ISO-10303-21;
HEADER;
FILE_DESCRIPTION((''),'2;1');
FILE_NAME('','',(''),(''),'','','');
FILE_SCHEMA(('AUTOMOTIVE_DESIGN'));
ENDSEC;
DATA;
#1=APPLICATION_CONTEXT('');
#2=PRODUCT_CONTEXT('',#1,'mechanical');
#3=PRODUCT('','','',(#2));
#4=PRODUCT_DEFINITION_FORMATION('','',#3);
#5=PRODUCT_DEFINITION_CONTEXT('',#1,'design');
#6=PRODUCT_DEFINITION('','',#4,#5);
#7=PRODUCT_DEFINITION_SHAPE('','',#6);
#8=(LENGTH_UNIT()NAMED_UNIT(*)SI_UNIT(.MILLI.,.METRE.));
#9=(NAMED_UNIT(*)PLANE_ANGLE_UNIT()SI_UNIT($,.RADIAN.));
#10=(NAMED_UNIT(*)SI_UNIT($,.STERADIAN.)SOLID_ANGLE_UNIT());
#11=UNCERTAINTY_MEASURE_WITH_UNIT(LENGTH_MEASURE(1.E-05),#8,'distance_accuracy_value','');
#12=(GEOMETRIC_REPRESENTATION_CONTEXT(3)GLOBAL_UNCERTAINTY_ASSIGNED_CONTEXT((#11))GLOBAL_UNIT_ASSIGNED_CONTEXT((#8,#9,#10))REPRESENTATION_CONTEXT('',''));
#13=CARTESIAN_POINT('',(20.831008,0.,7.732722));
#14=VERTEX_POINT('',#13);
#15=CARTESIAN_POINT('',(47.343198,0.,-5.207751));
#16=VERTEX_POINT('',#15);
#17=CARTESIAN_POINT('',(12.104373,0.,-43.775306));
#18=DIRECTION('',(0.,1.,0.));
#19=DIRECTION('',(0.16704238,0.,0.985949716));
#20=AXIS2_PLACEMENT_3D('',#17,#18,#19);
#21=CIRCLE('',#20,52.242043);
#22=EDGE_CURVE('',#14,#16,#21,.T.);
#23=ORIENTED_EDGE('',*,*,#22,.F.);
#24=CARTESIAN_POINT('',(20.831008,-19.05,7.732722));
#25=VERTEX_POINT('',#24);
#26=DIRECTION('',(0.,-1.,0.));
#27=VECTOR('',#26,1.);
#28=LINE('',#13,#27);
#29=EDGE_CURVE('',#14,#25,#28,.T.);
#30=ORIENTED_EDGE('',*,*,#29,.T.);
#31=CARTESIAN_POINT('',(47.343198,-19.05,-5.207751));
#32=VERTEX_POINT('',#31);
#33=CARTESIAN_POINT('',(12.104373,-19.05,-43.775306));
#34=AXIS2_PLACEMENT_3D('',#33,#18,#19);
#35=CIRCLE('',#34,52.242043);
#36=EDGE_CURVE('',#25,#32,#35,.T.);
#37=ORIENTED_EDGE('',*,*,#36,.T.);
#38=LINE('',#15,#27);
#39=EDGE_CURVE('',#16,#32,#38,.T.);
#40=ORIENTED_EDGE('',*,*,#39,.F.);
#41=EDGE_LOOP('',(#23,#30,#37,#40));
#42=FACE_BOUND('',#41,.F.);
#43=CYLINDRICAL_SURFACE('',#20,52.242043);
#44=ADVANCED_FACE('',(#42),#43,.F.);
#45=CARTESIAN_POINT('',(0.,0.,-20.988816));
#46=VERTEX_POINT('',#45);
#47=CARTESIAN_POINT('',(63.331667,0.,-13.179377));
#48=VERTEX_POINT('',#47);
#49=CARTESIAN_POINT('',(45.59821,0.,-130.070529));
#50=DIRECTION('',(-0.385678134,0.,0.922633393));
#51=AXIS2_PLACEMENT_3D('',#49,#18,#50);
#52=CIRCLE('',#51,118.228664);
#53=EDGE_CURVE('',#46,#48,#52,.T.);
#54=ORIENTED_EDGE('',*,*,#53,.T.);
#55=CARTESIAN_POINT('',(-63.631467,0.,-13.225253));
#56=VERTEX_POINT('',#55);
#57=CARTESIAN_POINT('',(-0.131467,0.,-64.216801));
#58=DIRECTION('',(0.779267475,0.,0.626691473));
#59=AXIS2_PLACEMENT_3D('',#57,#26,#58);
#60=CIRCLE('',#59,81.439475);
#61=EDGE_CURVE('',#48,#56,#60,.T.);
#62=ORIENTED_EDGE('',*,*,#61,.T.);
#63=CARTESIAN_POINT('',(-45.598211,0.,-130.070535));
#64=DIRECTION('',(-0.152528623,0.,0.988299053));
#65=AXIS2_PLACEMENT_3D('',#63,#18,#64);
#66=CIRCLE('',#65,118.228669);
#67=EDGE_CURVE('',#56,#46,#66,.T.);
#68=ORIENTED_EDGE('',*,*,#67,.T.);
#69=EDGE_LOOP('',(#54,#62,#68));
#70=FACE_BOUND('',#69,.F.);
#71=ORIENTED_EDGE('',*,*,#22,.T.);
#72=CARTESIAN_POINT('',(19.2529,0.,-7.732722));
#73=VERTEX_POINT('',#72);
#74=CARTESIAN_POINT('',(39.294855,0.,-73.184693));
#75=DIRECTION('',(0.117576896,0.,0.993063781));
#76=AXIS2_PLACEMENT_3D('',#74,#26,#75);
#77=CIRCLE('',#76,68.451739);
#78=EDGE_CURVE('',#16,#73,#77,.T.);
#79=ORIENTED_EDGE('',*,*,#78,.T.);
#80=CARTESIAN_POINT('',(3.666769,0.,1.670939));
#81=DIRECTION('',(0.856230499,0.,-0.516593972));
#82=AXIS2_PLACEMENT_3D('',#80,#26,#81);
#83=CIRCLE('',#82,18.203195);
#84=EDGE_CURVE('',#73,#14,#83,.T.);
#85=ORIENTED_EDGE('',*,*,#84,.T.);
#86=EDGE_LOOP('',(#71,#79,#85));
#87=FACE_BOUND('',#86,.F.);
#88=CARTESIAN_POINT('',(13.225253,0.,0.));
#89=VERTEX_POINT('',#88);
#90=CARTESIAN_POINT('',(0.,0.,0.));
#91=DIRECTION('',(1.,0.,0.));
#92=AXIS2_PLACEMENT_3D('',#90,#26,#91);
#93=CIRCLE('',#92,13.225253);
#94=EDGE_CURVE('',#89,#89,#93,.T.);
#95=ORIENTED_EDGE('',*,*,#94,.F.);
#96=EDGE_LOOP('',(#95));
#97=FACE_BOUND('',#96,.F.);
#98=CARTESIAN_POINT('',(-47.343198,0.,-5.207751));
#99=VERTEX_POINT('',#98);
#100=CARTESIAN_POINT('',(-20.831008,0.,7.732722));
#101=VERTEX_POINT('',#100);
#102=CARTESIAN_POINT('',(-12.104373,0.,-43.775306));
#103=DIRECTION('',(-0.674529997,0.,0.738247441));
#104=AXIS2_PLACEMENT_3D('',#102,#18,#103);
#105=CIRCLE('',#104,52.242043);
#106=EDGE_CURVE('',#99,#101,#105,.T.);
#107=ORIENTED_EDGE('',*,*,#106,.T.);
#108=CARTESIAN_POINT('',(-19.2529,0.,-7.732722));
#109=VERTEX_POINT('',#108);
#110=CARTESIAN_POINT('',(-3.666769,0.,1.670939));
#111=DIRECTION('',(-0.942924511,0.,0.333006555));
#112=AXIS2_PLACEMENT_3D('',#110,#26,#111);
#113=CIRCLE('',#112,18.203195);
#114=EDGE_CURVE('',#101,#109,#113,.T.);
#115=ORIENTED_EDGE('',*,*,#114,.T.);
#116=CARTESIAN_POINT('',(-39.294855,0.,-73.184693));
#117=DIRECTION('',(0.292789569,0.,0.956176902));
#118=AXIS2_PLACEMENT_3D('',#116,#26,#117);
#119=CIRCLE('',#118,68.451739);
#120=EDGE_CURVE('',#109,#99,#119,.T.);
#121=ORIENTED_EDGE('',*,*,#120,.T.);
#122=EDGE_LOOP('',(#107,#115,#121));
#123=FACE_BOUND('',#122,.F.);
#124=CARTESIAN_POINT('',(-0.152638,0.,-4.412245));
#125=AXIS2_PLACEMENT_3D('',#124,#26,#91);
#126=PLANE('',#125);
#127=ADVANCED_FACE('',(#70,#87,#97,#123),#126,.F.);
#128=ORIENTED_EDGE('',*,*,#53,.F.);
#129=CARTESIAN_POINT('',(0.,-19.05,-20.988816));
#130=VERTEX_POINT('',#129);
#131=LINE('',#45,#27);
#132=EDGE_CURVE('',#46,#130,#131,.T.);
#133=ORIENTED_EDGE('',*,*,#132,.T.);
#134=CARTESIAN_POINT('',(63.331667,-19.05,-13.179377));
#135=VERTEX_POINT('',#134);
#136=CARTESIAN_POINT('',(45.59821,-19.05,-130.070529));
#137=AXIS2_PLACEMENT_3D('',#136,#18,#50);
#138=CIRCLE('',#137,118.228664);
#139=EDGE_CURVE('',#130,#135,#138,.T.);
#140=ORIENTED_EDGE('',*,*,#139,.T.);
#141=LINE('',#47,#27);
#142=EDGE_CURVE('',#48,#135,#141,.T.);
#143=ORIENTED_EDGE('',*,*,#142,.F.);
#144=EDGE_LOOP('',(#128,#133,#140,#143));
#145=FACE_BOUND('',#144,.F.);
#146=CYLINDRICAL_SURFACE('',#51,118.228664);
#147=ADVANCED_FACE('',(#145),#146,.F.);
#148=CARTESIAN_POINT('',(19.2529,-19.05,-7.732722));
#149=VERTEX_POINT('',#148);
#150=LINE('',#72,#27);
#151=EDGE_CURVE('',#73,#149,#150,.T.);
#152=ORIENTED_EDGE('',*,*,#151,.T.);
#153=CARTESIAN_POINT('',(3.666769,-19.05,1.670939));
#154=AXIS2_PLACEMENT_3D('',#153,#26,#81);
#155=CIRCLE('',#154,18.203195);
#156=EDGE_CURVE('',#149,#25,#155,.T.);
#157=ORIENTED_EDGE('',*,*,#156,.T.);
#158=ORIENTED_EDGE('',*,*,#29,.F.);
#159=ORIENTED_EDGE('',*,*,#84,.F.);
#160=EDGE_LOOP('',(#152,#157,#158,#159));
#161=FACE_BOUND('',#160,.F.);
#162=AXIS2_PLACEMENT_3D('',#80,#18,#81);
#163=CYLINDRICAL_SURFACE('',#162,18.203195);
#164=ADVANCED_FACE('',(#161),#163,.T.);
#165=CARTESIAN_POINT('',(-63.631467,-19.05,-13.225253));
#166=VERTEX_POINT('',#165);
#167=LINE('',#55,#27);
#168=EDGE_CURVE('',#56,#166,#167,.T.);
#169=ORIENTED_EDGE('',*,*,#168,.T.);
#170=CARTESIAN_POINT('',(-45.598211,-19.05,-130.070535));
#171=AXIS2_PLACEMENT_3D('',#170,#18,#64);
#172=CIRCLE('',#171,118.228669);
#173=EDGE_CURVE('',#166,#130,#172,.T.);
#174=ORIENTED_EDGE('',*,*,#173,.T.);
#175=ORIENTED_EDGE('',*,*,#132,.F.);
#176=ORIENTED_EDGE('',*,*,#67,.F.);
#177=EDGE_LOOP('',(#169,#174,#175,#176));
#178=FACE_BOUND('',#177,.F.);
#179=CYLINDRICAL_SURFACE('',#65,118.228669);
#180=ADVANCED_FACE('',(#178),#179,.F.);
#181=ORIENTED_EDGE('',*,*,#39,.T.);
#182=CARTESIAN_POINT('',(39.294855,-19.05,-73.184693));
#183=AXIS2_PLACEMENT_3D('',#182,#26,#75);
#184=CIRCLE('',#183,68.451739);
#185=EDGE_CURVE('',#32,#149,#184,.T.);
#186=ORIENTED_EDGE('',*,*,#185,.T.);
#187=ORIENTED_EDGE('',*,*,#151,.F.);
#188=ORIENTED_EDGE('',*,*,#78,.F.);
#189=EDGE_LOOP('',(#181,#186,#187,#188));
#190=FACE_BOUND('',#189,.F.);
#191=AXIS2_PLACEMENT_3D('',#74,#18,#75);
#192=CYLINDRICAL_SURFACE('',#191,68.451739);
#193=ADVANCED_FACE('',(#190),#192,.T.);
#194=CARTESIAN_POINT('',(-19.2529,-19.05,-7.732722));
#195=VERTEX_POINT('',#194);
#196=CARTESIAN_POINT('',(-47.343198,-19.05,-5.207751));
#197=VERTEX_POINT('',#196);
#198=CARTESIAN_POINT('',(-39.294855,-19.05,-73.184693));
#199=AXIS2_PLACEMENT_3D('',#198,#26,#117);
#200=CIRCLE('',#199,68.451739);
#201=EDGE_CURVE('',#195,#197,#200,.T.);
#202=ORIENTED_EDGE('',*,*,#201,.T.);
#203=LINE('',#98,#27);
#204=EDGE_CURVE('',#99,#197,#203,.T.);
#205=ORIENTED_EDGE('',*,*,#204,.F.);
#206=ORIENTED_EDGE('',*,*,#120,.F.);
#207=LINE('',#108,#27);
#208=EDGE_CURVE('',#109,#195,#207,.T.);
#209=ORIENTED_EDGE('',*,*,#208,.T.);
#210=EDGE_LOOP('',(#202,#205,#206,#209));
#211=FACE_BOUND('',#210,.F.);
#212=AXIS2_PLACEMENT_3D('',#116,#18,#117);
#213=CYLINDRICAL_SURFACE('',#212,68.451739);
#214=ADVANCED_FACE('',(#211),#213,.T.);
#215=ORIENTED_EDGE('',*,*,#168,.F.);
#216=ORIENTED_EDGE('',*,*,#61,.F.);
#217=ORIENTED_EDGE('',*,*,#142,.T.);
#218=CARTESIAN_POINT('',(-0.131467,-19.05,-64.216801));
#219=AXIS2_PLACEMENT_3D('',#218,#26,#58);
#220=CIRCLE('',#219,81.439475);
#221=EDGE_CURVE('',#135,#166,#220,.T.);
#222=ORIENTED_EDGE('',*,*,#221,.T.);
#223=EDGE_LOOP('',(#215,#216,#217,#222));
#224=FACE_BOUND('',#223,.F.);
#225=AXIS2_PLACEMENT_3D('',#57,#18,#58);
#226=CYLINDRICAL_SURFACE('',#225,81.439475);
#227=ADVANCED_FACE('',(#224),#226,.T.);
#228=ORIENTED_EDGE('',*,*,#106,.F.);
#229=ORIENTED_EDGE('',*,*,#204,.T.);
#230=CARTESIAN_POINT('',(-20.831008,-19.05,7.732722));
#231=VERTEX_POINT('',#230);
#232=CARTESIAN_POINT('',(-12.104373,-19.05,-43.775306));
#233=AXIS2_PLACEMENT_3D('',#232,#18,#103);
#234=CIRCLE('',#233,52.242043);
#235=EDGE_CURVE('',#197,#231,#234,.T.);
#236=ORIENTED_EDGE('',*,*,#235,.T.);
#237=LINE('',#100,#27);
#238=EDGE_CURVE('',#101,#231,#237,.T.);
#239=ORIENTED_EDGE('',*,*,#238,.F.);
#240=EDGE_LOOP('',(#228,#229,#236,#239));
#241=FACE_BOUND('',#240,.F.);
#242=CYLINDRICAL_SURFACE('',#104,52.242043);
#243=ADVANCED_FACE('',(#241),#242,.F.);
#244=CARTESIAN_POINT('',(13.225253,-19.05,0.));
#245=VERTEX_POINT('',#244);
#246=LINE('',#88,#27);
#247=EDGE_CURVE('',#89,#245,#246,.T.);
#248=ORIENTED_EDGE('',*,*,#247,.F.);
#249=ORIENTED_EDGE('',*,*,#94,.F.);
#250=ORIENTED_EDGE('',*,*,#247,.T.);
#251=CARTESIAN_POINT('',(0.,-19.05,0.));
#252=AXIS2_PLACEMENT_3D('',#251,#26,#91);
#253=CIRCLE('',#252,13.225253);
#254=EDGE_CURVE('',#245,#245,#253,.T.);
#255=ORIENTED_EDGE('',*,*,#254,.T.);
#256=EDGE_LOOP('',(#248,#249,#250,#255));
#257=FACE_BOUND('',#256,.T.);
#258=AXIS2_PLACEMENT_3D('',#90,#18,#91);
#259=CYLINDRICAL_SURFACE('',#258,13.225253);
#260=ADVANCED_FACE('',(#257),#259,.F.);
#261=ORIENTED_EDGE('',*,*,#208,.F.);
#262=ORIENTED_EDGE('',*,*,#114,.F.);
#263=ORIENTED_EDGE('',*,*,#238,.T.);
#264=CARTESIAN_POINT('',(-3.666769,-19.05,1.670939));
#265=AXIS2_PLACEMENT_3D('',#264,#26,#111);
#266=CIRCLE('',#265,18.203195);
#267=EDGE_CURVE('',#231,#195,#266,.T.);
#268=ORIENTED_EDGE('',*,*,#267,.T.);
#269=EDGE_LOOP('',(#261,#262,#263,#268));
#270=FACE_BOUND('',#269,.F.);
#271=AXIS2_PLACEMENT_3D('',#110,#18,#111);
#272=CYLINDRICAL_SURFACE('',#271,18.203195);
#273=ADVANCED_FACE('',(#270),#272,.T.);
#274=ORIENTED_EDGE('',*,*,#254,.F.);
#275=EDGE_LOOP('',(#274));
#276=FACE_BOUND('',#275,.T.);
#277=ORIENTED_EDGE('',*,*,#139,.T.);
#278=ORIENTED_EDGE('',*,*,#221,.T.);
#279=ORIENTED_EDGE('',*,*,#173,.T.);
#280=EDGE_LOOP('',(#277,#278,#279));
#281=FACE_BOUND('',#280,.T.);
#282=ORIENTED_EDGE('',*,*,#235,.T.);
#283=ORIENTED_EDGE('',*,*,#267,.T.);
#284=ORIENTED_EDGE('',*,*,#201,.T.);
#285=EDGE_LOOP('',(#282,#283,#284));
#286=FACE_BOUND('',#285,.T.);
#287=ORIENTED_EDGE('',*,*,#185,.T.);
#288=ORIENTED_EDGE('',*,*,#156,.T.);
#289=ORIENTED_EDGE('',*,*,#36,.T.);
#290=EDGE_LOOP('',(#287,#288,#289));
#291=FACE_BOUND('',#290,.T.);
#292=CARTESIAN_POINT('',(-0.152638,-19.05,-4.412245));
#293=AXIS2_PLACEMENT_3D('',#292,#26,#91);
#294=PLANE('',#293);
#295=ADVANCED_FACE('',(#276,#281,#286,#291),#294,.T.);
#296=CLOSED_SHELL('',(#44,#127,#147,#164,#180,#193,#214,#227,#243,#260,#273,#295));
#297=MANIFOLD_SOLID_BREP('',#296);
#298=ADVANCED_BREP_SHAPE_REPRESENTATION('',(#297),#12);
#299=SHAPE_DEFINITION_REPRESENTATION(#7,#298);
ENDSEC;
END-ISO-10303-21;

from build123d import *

# Parameters (mm, degrees)
F0_R     = 13.225253
F1_DEPTH = 19.05


with BuildPart() as f1:
    # F0 (on Front) → F1 (new body)
    with BuildSketch(Plane.XZ):
        with BuildLine():
            ThreePointArc((0, -20.988816), (31.129003, -12.7306), (63.331667, -13.179377))
            ThreePointArc((63.331667, -13.179377), (-0.160894, 17.222668), (-63.631467, -13.225253))
            ThreePointArc((-63.631467, -13.225253), (-31.27952, -12.712138), (0, -20.988816))
        make_face()
        with BuildLine():
            ThreePointArc((-20.831008, 7.732722), (-21.775929, -0.176936), (-19.2529, -7.732722))
            ThreePointArc((-19.2529, -7.732722), (-33.166597, -5.007828), (-47.343198, -5.207751))
            ThreePointArc((-47.343198, -5.207751), (-35.019529, 3.172822), (-20.831008, 7.732722))
        make_face(mode=Mode.SUBTRACT)
        Circle(F0_R, mode=Mode.SUBTRACT)
        with BuildLine():
            ThreePointArc((19.2529, -7.732722), (21.775929, -0.176936), (20.831008, 7.732722))
            ThreePointArc((20.831008, 7.732722), (35.019529, 3.172822), (47.343198, -5.207751))
            ThreePointArc((47.343198, -5.207751), (33.166597, -5.007828), (19.2529, -7.732722))
        make_face(mode=Mode.SUBTRACT)
    extrude(amount=F1_DEPTH)


solid = f1.part
